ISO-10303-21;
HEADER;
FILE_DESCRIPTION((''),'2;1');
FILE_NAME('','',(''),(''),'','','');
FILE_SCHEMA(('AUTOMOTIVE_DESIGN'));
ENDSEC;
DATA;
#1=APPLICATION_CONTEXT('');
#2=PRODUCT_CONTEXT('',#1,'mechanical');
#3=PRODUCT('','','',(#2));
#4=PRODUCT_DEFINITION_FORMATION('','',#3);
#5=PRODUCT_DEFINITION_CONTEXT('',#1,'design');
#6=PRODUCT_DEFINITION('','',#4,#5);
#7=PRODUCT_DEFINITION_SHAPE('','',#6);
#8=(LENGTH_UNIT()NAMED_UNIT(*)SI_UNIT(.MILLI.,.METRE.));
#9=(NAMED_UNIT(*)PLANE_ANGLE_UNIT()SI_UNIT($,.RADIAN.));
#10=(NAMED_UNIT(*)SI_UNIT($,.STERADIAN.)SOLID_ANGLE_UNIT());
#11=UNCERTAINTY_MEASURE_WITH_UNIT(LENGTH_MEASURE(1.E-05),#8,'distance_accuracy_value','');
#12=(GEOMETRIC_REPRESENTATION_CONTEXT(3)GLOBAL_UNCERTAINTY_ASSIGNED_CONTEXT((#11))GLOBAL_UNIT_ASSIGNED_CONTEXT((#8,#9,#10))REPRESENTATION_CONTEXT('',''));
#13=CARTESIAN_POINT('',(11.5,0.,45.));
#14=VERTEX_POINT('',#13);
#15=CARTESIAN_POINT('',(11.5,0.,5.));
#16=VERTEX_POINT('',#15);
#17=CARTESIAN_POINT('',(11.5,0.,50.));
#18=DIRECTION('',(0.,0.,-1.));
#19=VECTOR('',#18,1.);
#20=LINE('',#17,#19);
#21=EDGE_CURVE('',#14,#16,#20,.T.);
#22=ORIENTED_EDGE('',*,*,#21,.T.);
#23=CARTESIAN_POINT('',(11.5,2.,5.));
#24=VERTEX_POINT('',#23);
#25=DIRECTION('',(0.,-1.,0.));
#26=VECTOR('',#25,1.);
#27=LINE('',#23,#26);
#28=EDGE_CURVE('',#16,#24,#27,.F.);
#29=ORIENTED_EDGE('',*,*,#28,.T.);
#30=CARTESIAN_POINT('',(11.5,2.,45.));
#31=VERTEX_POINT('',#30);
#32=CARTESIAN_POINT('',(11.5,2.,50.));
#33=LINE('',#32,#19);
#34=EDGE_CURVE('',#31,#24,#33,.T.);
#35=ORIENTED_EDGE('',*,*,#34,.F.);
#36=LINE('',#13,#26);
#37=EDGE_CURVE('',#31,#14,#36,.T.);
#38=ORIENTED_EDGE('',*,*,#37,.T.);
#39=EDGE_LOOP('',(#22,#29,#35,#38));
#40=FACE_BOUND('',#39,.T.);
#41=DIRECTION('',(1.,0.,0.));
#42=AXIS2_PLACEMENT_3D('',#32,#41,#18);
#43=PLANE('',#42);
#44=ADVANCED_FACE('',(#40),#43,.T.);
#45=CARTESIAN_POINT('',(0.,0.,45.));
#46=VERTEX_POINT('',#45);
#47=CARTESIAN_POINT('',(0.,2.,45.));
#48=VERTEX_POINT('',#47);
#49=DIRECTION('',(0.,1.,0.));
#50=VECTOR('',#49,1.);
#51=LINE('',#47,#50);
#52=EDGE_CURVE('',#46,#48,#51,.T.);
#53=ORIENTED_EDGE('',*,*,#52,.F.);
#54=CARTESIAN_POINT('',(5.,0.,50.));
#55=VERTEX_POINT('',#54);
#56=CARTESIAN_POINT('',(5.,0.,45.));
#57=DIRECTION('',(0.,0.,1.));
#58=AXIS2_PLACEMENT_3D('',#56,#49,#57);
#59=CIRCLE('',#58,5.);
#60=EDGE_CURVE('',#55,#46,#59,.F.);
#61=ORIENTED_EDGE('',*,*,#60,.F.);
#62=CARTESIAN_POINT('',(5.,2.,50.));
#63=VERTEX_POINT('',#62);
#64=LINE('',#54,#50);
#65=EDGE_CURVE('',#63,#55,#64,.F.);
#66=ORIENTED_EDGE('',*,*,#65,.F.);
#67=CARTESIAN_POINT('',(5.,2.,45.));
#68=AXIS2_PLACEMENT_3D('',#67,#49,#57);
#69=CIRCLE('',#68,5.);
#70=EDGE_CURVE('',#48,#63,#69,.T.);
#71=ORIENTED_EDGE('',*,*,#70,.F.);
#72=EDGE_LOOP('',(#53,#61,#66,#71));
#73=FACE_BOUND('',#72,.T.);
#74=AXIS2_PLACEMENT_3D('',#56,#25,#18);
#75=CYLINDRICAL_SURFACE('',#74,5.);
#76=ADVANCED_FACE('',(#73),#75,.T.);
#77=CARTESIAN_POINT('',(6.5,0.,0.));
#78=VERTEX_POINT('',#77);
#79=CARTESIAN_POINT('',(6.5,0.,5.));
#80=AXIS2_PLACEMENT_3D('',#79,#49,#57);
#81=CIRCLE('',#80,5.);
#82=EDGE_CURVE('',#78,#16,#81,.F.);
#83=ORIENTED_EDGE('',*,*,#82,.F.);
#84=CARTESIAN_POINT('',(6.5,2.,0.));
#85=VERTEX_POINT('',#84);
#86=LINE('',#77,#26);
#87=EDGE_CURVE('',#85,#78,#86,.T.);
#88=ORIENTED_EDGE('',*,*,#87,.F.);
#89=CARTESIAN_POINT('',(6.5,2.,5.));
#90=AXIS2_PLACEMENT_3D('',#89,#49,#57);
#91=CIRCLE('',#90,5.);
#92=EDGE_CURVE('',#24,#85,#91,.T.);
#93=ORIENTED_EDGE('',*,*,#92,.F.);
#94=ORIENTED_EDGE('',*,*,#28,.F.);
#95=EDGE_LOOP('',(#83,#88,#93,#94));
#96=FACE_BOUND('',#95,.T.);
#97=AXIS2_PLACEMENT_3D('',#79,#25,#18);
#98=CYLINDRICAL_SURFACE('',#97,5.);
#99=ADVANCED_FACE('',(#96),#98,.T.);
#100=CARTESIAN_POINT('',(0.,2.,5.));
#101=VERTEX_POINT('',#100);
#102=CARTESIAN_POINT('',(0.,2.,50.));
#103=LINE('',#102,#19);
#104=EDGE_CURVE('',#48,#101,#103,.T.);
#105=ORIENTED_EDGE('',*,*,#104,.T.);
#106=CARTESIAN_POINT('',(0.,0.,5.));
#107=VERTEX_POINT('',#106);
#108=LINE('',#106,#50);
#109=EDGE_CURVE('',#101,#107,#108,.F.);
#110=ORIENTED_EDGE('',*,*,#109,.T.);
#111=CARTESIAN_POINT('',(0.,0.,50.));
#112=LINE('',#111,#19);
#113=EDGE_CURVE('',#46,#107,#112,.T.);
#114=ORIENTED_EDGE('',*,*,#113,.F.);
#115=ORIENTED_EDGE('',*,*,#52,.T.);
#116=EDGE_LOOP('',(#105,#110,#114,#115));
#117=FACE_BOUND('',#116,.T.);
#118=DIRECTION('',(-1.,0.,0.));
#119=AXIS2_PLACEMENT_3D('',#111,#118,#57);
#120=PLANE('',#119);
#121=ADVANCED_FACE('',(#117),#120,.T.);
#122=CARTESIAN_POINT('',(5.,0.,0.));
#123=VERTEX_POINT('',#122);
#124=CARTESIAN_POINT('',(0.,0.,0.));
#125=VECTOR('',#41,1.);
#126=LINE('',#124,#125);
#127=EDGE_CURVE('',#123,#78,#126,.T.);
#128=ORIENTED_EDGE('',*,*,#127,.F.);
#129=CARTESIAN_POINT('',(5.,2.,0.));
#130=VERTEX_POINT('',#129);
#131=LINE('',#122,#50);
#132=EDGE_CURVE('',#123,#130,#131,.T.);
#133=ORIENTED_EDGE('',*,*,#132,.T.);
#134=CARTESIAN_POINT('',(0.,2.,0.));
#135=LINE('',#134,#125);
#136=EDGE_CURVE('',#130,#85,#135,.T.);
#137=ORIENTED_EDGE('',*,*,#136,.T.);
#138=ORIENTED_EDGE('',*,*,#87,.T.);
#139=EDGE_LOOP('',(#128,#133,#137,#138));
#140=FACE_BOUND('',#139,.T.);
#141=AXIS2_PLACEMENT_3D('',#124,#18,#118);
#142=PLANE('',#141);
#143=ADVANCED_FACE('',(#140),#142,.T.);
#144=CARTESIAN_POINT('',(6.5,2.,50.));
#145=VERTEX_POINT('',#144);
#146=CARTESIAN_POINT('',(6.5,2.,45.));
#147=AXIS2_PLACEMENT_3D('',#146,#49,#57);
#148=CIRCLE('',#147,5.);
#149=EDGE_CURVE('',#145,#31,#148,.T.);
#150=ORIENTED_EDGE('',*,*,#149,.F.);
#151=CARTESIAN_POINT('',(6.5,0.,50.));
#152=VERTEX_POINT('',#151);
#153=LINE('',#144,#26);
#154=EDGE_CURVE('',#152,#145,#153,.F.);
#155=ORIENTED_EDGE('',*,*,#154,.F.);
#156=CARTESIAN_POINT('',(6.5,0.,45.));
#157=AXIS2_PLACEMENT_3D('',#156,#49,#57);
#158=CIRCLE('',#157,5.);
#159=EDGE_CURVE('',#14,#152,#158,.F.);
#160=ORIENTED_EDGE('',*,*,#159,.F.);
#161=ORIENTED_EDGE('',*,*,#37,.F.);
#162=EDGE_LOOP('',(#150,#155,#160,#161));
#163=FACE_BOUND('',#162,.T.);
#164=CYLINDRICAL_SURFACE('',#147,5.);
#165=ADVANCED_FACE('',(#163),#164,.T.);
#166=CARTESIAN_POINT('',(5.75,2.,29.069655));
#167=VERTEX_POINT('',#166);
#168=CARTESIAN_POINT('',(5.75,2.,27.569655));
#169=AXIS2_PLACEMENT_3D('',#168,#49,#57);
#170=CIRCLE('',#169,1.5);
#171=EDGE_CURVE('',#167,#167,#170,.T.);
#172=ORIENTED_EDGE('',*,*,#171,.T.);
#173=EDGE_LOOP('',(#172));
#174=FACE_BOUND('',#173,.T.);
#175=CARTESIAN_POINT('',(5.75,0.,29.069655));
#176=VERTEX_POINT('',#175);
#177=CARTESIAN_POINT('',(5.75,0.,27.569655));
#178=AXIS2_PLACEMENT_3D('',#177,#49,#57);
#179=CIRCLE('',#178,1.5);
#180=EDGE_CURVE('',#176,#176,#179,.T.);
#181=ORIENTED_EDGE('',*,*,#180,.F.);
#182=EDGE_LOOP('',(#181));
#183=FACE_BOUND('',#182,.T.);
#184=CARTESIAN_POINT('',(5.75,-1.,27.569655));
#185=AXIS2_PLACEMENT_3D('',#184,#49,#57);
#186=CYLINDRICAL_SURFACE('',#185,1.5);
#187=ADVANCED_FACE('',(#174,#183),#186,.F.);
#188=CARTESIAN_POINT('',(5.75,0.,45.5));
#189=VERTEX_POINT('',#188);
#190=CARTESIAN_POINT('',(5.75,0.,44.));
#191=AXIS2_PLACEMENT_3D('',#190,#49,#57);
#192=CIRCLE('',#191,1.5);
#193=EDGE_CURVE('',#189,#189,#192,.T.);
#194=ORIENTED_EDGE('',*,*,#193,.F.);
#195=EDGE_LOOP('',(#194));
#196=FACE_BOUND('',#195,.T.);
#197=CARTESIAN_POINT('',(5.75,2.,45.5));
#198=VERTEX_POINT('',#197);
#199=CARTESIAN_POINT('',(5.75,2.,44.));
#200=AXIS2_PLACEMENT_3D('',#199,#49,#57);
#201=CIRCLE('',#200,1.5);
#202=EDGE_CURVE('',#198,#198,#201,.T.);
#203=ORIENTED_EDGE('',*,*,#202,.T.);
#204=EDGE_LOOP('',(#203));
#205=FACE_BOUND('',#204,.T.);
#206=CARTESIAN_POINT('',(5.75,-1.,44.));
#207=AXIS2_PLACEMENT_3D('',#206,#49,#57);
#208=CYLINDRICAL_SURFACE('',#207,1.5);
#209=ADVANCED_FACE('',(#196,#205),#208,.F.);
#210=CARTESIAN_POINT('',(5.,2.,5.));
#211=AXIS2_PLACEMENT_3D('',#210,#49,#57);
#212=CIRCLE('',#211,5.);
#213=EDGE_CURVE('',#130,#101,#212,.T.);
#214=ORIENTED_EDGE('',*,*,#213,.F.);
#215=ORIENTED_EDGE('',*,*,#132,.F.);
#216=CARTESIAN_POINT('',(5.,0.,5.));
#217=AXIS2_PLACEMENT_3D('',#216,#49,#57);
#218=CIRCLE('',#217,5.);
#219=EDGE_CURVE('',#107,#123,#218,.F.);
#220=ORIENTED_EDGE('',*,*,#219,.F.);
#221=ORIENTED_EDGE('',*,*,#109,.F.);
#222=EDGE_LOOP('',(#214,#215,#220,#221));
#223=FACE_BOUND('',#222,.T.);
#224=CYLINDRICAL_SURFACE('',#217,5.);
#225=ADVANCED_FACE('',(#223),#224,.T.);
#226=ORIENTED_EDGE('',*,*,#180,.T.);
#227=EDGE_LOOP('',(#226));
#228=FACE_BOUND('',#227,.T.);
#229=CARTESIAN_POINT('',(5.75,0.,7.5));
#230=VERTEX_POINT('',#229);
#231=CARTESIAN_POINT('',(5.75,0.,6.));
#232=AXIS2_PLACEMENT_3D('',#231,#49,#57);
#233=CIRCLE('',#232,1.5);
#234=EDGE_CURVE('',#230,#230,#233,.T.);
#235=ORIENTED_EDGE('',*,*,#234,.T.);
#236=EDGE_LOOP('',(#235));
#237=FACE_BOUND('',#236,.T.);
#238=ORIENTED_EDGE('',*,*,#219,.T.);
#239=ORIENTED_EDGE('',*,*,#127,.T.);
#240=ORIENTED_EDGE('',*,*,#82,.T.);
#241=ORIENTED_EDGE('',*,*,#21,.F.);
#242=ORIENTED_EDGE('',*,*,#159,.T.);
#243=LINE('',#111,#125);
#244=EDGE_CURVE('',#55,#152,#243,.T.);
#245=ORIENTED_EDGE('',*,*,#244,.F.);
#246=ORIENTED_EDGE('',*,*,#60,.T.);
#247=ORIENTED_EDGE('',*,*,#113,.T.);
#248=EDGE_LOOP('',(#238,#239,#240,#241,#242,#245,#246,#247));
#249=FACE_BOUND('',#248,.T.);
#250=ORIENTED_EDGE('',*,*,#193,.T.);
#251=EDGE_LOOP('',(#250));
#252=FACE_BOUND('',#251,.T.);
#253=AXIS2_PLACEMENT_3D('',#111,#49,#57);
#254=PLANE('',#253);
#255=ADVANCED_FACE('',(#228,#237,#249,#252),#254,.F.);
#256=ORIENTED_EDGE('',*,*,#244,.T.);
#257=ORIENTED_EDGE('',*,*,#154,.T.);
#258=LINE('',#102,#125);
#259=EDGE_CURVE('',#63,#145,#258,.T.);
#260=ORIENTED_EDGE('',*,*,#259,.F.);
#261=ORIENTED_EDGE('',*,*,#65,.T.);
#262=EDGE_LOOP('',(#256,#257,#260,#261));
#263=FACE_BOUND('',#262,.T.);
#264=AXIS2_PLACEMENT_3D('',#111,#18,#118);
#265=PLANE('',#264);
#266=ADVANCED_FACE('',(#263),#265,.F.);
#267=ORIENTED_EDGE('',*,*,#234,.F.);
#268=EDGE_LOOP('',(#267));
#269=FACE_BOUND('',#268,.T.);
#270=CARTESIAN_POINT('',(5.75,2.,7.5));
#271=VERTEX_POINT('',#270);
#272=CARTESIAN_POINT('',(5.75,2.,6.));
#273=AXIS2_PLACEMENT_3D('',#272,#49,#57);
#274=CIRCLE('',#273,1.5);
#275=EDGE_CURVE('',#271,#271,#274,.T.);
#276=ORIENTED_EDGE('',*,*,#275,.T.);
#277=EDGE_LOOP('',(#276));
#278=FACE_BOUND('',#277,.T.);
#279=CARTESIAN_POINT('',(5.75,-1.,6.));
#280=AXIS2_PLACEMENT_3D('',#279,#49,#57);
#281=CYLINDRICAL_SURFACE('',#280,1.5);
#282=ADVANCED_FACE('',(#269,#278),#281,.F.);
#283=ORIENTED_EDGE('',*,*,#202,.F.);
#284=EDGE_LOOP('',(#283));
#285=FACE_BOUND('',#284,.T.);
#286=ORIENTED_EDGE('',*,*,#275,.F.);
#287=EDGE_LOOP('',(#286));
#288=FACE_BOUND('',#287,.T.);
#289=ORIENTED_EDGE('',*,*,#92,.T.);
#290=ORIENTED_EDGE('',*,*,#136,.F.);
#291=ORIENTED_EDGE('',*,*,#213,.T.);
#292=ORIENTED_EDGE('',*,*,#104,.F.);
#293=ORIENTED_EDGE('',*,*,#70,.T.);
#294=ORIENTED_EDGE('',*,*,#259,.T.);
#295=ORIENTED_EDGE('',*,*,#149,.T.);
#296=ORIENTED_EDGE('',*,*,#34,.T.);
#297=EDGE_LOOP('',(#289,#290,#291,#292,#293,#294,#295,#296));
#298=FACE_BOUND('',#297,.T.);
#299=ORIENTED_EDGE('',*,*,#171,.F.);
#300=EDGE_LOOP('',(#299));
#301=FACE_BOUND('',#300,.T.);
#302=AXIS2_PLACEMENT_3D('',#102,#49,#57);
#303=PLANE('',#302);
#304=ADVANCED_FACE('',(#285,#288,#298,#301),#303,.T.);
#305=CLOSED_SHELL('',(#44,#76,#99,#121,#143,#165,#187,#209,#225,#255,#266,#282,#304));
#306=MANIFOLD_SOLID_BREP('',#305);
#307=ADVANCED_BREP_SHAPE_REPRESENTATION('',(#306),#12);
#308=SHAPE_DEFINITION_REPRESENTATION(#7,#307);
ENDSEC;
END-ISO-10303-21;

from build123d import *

# Parameters (mm, degrees)
ESQUISSE1_W             = 11.5
ESQUISSE1_H             = 2
EXTRU_MINCE1_DEPTH      = 50
ESQUISSE2_R             = 1.5
ENL_V_MAT_EXTRU_1_DEPTH = 3
CONG_1_R                = 5


with BuildPart() as part:
    # Esquisse1 → Extru.-Mince1 (new body)
    with BuildSketch(Plane.XY):
        with Locations((5.75, 1)):
            Rectangle(ESQUISSE1_W, ESQUISSE1_H)
    extrude(amount=EXTRU_MINCE1_DEPTH)

    # Esquisse2 → Enlèv. mat.-Extru.1 (cut)
    with BuildSketch(Plane(origin=(0, 2, 0), x_dir=(1, 0, 0), z_dir=(0, 1, 0))):
        with Locations(Location((5.75, -6, 0), (0, 0, 270))):
            Circle(ESQUISSE2_R)
        with Locations(Location((5.75, -27.56965461, 0), (0, 0, 270))):
            Circle(ESQUISSE2_R)
        with Locations(Location((5.75, -44, 0), (0, 0, 270))):
            Circle(ESQUISSE2_R)
    extrude(amount=-ENL_V_MAT_EXTRU_1_DEPTH, mode=Mode.SUBTRACT)

    # Congé1
    cong_1_edges = [part.edges().sort_by_distance(p)[0] for p in [
        (0, 1, 50),
        (0, 1, 0),
        (11.5, 1, 0),
        (11.5, 1, 50),
    ]]
    fillet(cong_1_edges, radius=CONG_1_R)


solid = part.part
